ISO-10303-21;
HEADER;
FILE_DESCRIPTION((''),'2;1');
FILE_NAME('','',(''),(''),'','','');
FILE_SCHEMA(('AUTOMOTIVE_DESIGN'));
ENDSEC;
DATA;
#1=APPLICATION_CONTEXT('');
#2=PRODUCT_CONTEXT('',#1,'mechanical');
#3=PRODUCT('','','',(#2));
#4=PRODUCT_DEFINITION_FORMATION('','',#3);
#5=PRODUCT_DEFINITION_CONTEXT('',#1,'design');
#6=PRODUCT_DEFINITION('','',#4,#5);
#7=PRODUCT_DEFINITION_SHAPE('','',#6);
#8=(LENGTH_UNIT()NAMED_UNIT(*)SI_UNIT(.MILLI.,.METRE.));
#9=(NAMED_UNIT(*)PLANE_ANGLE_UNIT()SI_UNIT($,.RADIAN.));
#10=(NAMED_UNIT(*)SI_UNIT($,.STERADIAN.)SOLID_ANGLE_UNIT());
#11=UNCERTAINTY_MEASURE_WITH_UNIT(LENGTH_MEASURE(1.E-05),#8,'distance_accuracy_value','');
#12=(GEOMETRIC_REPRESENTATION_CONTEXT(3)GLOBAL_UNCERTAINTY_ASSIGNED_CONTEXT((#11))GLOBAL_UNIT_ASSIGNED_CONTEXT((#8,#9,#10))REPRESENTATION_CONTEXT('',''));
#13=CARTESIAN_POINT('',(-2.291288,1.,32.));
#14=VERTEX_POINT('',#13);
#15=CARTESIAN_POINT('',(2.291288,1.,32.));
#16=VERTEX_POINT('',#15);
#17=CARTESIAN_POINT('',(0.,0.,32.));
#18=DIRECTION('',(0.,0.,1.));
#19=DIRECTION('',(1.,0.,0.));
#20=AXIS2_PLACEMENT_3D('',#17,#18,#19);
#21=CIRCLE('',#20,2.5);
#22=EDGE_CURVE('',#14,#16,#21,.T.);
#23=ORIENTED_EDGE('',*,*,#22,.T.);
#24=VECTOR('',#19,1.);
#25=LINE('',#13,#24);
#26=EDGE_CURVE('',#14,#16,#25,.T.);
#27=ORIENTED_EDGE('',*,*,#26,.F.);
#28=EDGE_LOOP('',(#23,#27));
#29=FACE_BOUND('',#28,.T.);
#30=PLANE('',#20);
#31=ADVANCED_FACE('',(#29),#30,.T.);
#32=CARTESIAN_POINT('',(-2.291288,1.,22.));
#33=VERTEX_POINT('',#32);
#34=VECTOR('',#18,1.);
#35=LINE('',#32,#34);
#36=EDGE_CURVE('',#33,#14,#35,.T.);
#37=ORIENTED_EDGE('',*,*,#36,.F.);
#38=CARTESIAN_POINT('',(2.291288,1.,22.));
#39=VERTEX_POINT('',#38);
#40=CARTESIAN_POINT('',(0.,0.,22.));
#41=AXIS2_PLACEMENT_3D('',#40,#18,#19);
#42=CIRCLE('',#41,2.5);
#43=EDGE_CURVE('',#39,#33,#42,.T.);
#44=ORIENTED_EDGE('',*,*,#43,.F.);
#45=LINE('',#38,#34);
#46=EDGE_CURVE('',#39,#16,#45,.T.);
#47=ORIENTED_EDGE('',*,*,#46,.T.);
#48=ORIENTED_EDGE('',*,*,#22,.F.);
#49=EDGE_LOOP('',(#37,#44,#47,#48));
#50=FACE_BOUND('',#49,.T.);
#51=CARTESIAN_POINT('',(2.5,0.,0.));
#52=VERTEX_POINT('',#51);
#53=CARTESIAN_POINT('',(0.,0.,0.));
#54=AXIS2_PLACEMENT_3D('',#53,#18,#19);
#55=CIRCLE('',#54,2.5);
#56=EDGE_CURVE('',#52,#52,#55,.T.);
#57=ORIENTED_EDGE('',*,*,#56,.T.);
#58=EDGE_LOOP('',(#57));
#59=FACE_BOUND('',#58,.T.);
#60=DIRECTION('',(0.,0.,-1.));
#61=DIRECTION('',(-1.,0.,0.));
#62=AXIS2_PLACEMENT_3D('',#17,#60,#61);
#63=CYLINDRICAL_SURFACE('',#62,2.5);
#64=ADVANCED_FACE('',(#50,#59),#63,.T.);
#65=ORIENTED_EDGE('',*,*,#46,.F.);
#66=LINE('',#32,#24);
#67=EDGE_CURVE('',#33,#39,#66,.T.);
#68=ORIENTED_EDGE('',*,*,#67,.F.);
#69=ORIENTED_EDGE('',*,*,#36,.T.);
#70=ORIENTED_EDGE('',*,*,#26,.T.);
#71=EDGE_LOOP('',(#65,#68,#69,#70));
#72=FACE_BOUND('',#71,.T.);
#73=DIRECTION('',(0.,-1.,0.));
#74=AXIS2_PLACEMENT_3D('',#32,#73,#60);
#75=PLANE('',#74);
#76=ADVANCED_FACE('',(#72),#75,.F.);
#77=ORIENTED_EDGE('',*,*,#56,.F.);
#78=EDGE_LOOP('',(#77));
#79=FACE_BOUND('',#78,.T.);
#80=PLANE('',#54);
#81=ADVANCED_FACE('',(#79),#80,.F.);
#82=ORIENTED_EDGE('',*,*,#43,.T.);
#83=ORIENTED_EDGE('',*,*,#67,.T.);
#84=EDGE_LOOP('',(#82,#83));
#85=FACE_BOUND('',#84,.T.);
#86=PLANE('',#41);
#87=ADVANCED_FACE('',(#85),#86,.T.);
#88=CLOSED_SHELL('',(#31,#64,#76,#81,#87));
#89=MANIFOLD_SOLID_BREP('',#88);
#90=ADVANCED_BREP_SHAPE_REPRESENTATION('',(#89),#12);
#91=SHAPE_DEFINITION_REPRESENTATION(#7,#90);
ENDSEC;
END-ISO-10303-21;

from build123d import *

# Parameters (mm, degrees)
CROQUIS2_R              = 2.5
SALIENTE_EXTRUIR1_DEPTH = 32
CORTAR_EXTRUIR1_START   = -10
CORTAR_EXTRUIR1_DEPTH   = 10


with BuildPart() as part:
    # Croquis2 → Saliente-Extruir1 (new body)
    with BuildSketch(Plane.XY):
        Circle(CROQUIS2_R)
    extrude(amount=SALIENTE_EXTRUIR1_DEPTH)

    # Croquis3 → Cortar-Extruir1 (cut)
    with BuildSketch(Plane.XY.offset(32).offset(CORTAR_EXTRUIR1_START)):
        with BuildLine():
            Line((-2.291287847, 1), (2.291287847, 1))
            ThreePointArc((2.291287847, 1), (0, 2.5), (-2.291287847, 1))
        make_face()
    extrude(amount=CORTAR_EXTRUIR1_DEPTH, mode=Mode.SUBTRACT)


solid = part.part
